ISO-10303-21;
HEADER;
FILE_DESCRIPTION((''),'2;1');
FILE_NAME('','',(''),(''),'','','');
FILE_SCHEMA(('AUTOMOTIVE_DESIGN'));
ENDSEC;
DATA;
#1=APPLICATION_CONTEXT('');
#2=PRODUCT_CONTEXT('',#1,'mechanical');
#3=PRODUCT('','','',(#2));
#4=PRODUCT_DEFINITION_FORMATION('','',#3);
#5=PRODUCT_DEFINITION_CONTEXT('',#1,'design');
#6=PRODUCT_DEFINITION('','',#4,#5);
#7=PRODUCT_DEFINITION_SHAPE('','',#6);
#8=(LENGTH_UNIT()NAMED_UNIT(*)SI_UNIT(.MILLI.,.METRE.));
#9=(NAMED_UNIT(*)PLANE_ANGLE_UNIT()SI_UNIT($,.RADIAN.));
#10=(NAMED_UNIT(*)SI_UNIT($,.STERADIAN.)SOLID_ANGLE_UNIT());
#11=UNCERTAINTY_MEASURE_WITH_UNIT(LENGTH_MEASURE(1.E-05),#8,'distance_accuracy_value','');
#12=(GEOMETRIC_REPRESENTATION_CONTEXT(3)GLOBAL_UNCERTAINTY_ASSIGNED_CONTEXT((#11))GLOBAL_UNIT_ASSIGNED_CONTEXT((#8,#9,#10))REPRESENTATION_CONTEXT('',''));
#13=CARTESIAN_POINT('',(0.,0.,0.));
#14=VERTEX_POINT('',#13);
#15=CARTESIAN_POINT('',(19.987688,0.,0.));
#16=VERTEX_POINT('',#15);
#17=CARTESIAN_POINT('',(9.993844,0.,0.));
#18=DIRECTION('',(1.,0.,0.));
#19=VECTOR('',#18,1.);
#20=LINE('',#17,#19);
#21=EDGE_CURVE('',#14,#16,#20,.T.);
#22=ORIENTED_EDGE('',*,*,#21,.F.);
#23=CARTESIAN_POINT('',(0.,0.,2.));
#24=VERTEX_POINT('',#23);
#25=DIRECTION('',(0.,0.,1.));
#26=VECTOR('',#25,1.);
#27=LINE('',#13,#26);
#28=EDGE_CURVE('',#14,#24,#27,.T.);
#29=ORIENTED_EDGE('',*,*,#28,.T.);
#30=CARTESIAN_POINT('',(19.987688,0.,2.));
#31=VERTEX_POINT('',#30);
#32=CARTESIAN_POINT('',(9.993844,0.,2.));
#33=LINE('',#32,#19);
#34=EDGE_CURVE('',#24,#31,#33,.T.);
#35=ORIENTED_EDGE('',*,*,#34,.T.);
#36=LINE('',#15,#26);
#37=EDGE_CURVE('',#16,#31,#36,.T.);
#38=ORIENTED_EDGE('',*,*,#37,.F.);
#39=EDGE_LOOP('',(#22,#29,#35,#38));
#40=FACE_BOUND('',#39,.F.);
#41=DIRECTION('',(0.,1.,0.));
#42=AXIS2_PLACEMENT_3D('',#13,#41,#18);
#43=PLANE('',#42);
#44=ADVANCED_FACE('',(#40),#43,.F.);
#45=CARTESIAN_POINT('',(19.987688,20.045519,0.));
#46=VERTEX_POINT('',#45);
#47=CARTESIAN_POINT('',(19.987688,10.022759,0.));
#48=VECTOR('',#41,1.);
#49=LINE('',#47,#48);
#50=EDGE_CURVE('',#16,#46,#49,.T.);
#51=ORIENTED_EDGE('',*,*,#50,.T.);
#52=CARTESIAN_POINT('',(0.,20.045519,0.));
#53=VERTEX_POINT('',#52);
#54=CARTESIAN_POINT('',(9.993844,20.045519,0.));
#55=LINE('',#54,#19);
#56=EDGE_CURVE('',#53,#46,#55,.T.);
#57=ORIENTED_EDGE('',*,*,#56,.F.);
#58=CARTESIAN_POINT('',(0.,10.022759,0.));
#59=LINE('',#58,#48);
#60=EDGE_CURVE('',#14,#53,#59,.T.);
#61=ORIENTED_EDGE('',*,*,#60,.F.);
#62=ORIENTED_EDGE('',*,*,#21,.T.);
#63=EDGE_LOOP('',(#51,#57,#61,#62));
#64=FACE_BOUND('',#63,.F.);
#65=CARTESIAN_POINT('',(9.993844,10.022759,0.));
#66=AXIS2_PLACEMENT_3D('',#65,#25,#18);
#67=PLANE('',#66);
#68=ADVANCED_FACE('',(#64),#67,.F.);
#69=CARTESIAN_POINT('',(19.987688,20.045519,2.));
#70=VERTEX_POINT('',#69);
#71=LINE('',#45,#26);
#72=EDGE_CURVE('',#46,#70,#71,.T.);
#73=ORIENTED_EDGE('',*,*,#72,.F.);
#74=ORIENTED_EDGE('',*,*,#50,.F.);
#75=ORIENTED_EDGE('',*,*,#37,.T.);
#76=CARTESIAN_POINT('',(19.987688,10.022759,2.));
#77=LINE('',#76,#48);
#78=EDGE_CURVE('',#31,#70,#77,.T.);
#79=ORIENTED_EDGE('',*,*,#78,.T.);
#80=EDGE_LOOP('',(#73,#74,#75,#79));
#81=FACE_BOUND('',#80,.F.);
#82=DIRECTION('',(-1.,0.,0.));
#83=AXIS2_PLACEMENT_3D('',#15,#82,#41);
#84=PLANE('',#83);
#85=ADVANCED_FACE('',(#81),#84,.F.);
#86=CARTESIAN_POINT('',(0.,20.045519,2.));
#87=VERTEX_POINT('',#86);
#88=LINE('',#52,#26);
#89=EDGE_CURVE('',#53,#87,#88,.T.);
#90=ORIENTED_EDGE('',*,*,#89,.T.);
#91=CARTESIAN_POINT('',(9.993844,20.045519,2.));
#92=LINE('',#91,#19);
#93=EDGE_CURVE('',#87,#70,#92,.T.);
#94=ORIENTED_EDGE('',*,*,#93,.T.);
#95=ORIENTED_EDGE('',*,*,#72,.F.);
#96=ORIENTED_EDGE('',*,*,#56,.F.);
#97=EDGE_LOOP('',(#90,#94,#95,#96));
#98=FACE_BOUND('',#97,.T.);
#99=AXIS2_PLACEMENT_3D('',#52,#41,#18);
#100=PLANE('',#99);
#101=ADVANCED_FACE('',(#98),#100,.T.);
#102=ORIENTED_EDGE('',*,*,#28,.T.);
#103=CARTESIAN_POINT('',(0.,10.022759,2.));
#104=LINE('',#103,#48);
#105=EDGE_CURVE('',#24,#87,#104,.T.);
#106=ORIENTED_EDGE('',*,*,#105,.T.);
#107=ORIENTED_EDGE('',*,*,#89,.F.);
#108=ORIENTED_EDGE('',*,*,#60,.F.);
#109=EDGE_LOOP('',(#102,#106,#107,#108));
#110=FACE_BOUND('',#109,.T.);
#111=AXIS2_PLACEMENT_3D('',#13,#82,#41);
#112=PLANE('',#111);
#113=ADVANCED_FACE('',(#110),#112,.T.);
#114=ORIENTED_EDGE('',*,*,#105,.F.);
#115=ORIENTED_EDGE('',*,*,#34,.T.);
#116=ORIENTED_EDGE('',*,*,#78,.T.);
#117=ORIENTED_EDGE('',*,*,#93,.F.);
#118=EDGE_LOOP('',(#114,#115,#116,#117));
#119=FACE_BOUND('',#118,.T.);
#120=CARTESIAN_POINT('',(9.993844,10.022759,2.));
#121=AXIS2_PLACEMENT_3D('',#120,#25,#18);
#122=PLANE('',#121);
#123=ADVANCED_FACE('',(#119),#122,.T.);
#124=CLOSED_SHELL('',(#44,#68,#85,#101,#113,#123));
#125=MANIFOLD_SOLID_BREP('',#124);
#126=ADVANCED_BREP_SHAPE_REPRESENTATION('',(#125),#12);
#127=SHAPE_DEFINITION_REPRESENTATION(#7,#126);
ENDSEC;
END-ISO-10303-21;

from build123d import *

# Parameters (mm, degrees)
SKETCH_W  = 19.987688
SKETCH_H  = 20.045519
PAD_DEPTH = 2


with BuildPart() as part:
    # Sketch → Pad (new body)
    with BuildSketch(Plane.XY):
        with Locations((9.993844, 10.022759)):
            Rectangle(SKETCH_W, SKETCH_H)
    extrude(amount=PAD_DEPTH)


solid = part.part
